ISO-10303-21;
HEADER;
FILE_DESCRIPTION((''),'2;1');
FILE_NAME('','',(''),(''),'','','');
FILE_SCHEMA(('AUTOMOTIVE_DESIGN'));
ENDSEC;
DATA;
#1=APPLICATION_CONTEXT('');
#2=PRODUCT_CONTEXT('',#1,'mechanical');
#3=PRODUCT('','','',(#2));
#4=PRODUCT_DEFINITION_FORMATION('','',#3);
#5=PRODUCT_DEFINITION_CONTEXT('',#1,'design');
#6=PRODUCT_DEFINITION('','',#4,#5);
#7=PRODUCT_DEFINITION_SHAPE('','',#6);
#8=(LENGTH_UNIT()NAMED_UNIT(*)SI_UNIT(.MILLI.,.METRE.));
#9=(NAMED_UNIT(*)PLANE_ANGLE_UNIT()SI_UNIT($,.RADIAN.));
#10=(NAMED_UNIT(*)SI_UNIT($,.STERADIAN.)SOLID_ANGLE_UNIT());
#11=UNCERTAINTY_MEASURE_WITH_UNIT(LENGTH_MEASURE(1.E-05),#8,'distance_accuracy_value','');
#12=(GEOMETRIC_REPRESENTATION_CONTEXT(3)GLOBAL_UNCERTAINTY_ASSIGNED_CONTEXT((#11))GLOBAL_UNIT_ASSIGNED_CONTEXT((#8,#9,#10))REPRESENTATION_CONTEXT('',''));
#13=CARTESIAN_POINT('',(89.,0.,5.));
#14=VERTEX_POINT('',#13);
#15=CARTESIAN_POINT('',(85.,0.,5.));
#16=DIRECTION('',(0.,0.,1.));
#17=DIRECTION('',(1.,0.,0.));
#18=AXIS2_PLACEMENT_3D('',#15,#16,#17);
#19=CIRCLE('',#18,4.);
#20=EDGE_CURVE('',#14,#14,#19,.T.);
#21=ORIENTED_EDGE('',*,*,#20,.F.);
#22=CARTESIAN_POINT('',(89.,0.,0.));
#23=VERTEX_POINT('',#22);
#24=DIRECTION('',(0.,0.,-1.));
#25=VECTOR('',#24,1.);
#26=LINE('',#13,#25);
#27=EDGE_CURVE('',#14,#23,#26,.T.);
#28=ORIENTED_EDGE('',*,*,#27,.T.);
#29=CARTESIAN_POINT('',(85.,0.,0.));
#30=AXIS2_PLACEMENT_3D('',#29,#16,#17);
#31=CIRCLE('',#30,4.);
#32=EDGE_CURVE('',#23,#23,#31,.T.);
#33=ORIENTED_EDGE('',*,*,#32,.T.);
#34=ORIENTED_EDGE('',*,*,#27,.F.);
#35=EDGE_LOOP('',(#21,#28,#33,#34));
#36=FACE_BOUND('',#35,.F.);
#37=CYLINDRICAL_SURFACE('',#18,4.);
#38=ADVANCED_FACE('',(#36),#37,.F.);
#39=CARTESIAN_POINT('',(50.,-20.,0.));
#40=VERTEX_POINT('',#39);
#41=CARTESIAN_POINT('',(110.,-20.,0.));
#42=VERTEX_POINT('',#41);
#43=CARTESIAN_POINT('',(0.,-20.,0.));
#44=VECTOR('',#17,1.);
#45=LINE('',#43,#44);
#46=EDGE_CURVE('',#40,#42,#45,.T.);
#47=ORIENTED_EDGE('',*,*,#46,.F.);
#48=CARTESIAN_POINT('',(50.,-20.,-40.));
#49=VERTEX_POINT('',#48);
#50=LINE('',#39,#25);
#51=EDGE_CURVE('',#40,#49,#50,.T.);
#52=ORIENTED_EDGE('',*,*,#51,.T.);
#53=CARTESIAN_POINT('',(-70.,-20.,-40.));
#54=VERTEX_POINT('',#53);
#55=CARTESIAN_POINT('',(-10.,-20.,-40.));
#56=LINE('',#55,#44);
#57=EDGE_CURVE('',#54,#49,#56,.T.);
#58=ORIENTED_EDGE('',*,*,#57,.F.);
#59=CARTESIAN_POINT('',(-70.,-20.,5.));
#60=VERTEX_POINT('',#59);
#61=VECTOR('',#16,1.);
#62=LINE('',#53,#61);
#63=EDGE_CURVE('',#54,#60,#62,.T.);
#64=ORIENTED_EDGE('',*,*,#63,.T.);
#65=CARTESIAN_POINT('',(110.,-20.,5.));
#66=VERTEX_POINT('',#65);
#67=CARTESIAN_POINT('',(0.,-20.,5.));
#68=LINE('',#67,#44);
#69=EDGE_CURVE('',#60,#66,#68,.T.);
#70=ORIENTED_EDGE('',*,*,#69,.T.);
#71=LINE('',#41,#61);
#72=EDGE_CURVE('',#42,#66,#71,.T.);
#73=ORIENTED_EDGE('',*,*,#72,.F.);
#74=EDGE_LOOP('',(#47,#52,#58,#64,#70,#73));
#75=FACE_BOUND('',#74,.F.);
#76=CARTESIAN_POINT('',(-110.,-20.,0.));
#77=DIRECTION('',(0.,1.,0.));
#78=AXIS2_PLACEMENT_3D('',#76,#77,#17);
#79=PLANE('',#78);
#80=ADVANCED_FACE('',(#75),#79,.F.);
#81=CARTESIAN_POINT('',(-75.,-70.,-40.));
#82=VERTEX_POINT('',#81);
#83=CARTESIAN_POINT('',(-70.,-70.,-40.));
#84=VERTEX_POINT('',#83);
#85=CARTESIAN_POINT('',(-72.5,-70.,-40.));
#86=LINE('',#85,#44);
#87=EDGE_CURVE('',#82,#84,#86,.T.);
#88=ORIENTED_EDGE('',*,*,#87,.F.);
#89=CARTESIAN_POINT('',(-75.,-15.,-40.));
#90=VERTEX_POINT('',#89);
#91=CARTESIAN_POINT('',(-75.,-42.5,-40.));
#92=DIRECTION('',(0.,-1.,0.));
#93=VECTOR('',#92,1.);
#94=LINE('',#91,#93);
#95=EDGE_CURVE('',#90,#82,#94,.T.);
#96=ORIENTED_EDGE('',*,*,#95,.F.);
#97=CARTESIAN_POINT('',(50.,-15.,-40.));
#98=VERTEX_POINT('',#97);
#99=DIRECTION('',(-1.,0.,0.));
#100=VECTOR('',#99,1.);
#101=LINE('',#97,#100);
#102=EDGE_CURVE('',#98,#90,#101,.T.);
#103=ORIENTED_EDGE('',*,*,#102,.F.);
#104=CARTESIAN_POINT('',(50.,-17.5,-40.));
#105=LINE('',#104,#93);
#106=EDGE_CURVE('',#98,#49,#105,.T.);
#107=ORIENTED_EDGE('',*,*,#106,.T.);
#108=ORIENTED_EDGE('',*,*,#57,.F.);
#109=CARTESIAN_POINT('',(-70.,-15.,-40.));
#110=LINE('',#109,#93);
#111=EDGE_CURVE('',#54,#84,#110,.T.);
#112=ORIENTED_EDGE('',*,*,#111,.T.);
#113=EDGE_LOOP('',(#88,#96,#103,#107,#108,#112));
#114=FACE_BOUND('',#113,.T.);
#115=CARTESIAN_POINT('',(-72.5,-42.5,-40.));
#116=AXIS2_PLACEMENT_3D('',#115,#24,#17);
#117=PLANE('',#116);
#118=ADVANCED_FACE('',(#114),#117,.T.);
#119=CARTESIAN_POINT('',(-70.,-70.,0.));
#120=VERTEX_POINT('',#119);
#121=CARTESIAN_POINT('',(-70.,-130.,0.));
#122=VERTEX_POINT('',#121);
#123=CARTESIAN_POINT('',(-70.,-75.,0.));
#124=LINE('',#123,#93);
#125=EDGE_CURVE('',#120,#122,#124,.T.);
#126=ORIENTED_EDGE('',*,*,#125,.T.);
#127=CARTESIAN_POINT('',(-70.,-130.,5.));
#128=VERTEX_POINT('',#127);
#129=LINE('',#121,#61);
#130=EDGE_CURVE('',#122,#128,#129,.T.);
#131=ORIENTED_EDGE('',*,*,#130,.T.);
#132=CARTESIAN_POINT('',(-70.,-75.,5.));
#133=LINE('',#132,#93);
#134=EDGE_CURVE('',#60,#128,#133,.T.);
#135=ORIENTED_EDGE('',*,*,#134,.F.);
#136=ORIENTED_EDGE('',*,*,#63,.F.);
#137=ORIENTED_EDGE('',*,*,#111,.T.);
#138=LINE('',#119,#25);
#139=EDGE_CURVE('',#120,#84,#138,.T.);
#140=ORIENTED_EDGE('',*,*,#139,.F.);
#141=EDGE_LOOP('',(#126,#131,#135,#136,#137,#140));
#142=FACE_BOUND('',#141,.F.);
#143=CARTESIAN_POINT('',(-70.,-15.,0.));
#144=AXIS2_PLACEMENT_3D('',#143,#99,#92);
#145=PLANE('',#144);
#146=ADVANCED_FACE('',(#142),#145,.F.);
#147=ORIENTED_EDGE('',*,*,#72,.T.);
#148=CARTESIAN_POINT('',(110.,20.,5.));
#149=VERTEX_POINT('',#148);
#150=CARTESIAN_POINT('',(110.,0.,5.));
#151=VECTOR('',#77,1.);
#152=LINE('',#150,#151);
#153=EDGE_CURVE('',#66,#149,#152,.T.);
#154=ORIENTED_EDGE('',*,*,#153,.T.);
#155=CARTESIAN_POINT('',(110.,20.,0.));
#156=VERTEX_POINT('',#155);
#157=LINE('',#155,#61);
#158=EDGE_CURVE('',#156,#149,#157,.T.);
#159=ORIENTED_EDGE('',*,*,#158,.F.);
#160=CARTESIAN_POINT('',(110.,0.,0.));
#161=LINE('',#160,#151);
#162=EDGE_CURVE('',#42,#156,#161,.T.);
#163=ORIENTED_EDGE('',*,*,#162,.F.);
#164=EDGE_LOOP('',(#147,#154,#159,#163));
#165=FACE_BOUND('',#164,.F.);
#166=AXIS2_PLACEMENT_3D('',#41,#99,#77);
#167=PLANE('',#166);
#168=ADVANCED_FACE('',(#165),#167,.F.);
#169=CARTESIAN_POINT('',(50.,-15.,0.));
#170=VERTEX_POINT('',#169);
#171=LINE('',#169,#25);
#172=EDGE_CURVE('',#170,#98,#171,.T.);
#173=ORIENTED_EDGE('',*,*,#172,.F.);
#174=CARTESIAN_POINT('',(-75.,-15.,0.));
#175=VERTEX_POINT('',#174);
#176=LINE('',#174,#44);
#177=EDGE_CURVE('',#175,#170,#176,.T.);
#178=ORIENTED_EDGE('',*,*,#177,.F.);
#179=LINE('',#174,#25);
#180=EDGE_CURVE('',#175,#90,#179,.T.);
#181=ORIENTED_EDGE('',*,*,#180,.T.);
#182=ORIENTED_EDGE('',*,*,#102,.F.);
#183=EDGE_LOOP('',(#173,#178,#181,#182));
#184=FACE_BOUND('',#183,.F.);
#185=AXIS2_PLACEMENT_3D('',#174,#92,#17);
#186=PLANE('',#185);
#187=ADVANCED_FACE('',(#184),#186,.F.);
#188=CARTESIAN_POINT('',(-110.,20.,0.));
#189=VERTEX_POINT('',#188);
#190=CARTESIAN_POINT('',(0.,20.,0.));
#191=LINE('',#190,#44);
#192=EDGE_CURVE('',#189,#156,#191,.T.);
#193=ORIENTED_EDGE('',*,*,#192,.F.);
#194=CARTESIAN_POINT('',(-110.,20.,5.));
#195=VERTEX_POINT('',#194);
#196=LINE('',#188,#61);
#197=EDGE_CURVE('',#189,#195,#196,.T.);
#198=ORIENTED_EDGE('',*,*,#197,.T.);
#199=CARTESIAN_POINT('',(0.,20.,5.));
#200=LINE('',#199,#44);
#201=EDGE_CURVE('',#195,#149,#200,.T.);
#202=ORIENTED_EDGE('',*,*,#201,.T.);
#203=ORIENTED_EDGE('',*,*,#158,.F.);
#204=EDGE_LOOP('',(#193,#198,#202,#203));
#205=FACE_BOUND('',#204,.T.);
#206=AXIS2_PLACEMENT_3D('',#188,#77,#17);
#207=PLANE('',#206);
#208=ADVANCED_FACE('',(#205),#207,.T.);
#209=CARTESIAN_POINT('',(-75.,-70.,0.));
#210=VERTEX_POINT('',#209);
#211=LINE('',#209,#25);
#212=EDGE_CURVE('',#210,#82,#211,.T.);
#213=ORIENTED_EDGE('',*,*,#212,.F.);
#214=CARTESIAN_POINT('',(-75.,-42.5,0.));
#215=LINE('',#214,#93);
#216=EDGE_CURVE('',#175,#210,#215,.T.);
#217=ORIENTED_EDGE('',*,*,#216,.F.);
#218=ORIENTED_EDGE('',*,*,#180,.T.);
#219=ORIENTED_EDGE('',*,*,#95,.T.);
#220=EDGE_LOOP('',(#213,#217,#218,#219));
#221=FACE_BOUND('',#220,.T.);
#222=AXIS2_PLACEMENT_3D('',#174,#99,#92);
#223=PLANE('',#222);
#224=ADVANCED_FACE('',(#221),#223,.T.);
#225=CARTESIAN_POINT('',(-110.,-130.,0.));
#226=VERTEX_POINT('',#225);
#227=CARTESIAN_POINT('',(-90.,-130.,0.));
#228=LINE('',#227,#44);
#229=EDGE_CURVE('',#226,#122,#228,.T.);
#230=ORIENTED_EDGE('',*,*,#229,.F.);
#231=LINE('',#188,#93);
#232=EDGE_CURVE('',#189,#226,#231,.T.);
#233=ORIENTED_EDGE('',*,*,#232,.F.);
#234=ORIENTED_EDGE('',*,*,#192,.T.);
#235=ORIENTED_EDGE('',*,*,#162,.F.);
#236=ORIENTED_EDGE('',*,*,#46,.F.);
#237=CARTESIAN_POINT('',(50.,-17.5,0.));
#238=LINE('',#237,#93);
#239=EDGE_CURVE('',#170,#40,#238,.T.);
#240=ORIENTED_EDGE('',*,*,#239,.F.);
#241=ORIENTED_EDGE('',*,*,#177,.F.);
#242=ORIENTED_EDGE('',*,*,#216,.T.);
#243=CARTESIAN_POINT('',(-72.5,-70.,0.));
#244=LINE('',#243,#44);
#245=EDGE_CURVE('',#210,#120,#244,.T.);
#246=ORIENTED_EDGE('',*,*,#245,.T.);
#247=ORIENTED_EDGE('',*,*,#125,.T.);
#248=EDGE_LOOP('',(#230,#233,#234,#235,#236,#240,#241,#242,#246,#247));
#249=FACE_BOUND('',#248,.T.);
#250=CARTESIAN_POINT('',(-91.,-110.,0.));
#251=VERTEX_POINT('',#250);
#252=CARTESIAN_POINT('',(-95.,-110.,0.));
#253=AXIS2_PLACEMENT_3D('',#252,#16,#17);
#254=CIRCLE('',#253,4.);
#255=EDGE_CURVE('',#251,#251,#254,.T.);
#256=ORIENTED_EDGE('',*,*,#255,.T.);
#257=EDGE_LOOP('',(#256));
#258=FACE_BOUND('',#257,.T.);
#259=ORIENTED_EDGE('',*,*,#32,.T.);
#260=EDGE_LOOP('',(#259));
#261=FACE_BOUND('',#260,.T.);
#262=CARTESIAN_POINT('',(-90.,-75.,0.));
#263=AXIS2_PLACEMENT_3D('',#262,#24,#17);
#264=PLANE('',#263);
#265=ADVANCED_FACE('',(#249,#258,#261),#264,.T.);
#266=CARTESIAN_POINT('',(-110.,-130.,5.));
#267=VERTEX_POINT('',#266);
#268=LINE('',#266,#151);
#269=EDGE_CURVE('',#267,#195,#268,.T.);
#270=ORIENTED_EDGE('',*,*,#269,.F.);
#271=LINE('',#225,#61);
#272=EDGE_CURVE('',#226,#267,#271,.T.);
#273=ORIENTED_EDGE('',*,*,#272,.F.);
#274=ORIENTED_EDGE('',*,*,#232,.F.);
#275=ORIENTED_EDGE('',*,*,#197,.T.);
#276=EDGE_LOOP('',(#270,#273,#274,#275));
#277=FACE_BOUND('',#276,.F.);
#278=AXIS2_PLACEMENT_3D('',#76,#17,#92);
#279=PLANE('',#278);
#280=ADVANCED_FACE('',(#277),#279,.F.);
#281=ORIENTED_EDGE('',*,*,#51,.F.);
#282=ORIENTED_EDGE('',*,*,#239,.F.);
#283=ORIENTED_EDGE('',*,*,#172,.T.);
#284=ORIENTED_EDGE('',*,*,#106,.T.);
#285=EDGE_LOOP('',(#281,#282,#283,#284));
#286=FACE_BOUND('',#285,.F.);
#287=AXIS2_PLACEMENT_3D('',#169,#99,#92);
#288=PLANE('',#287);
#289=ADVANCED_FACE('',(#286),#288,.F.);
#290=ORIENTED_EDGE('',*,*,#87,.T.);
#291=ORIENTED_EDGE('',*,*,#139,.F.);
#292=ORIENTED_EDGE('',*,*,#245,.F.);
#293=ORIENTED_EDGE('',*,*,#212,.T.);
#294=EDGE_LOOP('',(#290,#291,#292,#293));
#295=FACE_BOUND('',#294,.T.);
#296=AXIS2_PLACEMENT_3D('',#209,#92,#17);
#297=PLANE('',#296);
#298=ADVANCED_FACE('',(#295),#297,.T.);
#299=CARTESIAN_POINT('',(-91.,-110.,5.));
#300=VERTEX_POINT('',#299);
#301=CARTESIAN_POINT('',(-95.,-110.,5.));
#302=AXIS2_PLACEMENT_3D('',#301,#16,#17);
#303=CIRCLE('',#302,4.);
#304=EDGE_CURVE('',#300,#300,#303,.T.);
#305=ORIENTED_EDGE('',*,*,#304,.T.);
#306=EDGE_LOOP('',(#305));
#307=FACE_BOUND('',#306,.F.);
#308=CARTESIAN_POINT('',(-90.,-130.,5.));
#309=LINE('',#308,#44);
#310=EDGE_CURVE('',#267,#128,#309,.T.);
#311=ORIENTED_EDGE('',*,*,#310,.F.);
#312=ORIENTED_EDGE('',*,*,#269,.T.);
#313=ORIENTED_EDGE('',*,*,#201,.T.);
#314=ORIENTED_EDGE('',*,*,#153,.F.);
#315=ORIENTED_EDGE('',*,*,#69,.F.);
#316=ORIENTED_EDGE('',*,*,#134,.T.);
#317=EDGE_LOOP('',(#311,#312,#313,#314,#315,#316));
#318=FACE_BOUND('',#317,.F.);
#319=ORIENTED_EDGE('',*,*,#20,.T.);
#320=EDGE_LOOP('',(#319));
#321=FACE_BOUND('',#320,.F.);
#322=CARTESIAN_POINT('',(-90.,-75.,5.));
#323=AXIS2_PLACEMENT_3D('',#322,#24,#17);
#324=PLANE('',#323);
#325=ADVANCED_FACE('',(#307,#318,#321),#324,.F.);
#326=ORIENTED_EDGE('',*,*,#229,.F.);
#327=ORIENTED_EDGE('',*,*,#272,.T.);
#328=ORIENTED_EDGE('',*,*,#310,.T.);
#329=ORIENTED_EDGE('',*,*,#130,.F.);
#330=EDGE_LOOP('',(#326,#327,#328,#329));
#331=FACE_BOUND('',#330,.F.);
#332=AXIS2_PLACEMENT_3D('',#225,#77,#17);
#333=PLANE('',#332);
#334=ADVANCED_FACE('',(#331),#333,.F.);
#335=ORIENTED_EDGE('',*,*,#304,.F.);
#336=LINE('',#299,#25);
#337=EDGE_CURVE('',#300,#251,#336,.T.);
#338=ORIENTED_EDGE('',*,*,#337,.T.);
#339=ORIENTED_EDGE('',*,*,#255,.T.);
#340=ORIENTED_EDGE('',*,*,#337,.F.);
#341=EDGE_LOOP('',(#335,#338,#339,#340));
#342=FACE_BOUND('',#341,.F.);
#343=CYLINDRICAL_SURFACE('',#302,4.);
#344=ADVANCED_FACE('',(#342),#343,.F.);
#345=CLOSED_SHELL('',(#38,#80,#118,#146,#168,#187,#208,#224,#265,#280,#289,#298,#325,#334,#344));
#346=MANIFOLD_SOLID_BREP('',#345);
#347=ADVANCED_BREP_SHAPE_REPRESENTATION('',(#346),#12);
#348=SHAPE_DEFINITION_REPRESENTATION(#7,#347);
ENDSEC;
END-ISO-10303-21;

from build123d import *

# Parameters (mm, degrees)
F0_W     = 220
F0_H     = 40
F1_DEPTH = 5
F2_W     = 120
F2_H     = 5
F3_DEPTH = 40
F4_W     = 40
F4_H     = 110
F5_DEPTH = 5
F6_W     = 5
F6_H     = 55
F7_DEPTH = 40
F8_R     = 4
F9_DEPTH = 25


with BuildPart() as f1:
    # F0 (on Top) → F1 (new body)
    with BuildSketch(Plane.XY):
        Rectangle(F0_W, F0_H)
    extrude(amount=F1_DEPTH)

    # F2 (on face) → F3 (join)
    with BuildSketch(Plane(origin=(0, 0, 0), x_dir=(1, 0, 0), z_dir=(0, 0, -1))):
        with Locations((-10, 17.5)):
            Rectangle(F2_W, F2_H)
    extrude(amount=F3_DEPTH)

    # F4 (on face) → F5 (join)
    with BuildSketch(Plane(origin=(0, 0, 0), x_dir=(1, 0, 0), z_dir=(0, 0, -1))):
        with Locations((-90, 75)):
            Rectangle(F4_W, F4_H)
    extrude(amount=-F5_DEPTH)

    # F6 (on face) → F7 (join)
    with BuildSketch(Plane(origin=(0, 0, 0), x_dir=(1, 0, 0), z_dir=(0, 0, -1))):
        with Locations((-72.5, 42.5)):
            Rectangle(F6_W, F6_H)
        Polygon((-75, 15), (-70, 15), (-70, 20), (-70, 70), (-75, 70), align=None)
    extrude(amount=F7_DEPTH)

    # F8 (on face) → F9 (cut)
    with BuildSketch(Plane.XY.offset(5)):
        with Locations((-95, -110)):
            Circle(F8_R)
        with Locations((85, 0)):
            Circle(F8_R)
    extrude(amount=-F9_DEPTH, mode=Mode.SUBTRACT)


solid = f1.part
